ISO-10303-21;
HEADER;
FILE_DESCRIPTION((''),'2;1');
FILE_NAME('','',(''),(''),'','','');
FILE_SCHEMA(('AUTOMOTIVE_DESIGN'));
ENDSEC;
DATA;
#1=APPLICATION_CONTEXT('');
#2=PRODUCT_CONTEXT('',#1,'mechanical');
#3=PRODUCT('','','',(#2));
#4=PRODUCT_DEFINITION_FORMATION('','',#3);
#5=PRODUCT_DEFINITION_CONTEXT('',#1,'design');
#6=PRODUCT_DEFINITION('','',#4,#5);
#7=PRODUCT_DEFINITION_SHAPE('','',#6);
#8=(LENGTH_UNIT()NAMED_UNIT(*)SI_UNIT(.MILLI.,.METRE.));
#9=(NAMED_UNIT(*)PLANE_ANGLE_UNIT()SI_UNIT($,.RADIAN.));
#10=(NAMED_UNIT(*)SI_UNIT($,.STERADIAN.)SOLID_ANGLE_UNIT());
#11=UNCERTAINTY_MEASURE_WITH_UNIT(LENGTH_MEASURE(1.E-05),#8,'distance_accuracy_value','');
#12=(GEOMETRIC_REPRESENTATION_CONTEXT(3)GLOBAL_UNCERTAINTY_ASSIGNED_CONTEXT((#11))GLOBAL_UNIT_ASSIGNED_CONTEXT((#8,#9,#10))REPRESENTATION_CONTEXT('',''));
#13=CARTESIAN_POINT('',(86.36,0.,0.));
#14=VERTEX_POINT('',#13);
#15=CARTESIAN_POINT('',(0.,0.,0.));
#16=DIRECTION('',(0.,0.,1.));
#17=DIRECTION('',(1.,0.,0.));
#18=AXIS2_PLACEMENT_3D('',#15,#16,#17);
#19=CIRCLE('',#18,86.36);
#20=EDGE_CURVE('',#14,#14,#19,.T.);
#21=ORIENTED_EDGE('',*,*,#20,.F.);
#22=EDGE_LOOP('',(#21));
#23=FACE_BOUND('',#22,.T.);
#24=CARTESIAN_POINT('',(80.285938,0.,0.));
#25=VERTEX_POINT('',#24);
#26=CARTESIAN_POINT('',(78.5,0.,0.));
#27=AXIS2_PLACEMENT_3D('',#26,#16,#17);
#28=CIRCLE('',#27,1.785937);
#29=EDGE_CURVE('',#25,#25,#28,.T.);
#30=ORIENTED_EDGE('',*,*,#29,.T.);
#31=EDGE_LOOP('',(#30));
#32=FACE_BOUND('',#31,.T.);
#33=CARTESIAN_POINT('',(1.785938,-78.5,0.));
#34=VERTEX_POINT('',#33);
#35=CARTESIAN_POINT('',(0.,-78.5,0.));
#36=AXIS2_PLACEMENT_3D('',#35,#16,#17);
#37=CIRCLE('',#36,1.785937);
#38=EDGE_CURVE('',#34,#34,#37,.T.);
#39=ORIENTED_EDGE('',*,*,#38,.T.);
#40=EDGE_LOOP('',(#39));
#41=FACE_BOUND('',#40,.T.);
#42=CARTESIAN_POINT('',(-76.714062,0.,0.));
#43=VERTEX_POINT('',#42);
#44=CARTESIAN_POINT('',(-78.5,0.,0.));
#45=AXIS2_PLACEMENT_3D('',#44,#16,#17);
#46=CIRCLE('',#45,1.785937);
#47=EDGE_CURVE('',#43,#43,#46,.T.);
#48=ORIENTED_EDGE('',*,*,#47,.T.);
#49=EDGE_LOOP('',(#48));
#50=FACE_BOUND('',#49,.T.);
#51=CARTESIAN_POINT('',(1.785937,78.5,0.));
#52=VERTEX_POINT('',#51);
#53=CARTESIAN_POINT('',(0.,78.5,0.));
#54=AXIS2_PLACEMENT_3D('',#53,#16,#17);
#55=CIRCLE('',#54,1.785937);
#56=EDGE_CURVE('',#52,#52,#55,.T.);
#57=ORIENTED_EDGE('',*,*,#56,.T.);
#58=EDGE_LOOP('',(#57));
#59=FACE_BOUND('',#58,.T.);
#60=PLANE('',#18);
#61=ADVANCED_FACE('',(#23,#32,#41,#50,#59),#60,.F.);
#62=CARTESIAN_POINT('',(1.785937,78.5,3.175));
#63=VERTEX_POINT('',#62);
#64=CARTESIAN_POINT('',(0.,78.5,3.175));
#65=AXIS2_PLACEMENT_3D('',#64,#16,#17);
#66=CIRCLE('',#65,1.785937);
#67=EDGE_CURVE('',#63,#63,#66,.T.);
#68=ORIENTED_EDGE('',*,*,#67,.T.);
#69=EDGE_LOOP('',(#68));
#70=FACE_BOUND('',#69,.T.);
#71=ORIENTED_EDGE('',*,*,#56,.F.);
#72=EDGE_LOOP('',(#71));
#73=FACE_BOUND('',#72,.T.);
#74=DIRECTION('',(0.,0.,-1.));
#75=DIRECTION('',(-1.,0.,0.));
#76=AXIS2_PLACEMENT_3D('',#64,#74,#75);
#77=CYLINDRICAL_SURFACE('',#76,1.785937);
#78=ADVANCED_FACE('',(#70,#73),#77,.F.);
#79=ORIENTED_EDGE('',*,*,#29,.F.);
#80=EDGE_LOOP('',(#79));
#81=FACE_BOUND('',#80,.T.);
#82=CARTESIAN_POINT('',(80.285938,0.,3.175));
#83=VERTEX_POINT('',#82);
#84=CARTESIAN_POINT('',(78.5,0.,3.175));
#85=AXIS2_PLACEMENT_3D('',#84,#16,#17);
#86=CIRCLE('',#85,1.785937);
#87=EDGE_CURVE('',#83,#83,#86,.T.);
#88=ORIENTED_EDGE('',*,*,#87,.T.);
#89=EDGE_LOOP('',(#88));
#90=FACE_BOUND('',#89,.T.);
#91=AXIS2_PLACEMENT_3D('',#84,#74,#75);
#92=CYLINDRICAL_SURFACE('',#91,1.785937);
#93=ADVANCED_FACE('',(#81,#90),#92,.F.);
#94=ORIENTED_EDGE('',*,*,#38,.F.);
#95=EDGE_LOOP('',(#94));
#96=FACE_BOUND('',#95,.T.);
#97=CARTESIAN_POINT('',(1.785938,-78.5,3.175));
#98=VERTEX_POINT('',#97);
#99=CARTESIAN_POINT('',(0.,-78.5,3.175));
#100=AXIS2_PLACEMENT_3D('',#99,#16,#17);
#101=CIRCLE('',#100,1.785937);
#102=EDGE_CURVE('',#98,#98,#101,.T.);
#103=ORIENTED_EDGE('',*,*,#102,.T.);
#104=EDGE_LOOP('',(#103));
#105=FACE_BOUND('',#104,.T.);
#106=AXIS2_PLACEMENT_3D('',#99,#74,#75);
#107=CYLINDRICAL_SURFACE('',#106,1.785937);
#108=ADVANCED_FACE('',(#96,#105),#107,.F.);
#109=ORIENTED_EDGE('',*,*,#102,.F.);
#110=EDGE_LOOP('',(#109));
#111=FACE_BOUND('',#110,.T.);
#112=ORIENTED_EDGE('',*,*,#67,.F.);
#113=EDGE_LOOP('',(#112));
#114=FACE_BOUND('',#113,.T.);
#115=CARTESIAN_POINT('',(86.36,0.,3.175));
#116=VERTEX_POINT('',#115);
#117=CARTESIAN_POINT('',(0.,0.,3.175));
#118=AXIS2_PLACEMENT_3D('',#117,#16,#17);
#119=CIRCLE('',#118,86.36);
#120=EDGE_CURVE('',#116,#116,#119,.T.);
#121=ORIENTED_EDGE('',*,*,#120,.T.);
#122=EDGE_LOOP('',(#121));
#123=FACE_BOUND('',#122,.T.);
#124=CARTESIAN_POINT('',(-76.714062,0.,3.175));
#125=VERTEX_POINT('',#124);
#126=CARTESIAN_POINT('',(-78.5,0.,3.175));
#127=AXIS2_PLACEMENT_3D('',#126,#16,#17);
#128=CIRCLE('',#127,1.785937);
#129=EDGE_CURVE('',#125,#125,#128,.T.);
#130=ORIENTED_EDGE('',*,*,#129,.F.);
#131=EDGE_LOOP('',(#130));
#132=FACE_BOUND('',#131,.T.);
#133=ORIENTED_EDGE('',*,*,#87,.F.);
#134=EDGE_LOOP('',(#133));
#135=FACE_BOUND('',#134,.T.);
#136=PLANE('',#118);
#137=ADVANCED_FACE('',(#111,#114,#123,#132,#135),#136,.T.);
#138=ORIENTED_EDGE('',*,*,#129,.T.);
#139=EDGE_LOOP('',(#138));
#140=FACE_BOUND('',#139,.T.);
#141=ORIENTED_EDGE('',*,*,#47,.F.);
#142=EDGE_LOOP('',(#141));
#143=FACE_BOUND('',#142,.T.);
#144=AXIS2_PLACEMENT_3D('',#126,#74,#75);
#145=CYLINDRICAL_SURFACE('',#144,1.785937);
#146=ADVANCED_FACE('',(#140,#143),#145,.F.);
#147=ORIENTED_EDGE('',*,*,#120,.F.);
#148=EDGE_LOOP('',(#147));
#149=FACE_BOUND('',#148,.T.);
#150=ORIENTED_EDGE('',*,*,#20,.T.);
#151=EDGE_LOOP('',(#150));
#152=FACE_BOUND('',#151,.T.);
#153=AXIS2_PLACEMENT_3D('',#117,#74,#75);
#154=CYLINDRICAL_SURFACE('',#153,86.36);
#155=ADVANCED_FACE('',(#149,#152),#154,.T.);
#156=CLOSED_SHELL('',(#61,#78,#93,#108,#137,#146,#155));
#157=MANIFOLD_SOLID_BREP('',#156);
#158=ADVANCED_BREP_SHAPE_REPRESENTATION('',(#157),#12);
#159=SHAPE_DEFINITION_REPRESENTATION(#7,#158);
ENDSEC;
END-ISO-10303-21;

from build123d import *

# Parameters (mm, degrees)
SKETCH1_R           = 86.36
SKETCH1_R_2         = 1.7859375
BOSS_EXTRUDE1_DEPTH = 3.175


with BuildPart() as part:
    # Sketch1 → Boss-Extrude1 (new body)
    with BuildSketch(Plane.XY):
        Circle(SKETCH1_R)
        with Locations((-78.5, 0)):
            Circle(SKETCH1_R_2, mode=Mode.SUBTRACT)
        with Locations((0, -78.5)):
            Circle(SKETCH1_R_2, mode=Mode.SUBTRACT)
        with Locations((78.5, 0)):
            Circle(SKETCH1_R_2, mode=Mode.SUBTRACT)
        with Locations((0, 78.5)):
            Circle(SKETCH1_R_2, mode=Mode.SUBTRACT)
    extrude(amount=BOSS_EXTRUDE1_DEPTH)


solid = part.part
